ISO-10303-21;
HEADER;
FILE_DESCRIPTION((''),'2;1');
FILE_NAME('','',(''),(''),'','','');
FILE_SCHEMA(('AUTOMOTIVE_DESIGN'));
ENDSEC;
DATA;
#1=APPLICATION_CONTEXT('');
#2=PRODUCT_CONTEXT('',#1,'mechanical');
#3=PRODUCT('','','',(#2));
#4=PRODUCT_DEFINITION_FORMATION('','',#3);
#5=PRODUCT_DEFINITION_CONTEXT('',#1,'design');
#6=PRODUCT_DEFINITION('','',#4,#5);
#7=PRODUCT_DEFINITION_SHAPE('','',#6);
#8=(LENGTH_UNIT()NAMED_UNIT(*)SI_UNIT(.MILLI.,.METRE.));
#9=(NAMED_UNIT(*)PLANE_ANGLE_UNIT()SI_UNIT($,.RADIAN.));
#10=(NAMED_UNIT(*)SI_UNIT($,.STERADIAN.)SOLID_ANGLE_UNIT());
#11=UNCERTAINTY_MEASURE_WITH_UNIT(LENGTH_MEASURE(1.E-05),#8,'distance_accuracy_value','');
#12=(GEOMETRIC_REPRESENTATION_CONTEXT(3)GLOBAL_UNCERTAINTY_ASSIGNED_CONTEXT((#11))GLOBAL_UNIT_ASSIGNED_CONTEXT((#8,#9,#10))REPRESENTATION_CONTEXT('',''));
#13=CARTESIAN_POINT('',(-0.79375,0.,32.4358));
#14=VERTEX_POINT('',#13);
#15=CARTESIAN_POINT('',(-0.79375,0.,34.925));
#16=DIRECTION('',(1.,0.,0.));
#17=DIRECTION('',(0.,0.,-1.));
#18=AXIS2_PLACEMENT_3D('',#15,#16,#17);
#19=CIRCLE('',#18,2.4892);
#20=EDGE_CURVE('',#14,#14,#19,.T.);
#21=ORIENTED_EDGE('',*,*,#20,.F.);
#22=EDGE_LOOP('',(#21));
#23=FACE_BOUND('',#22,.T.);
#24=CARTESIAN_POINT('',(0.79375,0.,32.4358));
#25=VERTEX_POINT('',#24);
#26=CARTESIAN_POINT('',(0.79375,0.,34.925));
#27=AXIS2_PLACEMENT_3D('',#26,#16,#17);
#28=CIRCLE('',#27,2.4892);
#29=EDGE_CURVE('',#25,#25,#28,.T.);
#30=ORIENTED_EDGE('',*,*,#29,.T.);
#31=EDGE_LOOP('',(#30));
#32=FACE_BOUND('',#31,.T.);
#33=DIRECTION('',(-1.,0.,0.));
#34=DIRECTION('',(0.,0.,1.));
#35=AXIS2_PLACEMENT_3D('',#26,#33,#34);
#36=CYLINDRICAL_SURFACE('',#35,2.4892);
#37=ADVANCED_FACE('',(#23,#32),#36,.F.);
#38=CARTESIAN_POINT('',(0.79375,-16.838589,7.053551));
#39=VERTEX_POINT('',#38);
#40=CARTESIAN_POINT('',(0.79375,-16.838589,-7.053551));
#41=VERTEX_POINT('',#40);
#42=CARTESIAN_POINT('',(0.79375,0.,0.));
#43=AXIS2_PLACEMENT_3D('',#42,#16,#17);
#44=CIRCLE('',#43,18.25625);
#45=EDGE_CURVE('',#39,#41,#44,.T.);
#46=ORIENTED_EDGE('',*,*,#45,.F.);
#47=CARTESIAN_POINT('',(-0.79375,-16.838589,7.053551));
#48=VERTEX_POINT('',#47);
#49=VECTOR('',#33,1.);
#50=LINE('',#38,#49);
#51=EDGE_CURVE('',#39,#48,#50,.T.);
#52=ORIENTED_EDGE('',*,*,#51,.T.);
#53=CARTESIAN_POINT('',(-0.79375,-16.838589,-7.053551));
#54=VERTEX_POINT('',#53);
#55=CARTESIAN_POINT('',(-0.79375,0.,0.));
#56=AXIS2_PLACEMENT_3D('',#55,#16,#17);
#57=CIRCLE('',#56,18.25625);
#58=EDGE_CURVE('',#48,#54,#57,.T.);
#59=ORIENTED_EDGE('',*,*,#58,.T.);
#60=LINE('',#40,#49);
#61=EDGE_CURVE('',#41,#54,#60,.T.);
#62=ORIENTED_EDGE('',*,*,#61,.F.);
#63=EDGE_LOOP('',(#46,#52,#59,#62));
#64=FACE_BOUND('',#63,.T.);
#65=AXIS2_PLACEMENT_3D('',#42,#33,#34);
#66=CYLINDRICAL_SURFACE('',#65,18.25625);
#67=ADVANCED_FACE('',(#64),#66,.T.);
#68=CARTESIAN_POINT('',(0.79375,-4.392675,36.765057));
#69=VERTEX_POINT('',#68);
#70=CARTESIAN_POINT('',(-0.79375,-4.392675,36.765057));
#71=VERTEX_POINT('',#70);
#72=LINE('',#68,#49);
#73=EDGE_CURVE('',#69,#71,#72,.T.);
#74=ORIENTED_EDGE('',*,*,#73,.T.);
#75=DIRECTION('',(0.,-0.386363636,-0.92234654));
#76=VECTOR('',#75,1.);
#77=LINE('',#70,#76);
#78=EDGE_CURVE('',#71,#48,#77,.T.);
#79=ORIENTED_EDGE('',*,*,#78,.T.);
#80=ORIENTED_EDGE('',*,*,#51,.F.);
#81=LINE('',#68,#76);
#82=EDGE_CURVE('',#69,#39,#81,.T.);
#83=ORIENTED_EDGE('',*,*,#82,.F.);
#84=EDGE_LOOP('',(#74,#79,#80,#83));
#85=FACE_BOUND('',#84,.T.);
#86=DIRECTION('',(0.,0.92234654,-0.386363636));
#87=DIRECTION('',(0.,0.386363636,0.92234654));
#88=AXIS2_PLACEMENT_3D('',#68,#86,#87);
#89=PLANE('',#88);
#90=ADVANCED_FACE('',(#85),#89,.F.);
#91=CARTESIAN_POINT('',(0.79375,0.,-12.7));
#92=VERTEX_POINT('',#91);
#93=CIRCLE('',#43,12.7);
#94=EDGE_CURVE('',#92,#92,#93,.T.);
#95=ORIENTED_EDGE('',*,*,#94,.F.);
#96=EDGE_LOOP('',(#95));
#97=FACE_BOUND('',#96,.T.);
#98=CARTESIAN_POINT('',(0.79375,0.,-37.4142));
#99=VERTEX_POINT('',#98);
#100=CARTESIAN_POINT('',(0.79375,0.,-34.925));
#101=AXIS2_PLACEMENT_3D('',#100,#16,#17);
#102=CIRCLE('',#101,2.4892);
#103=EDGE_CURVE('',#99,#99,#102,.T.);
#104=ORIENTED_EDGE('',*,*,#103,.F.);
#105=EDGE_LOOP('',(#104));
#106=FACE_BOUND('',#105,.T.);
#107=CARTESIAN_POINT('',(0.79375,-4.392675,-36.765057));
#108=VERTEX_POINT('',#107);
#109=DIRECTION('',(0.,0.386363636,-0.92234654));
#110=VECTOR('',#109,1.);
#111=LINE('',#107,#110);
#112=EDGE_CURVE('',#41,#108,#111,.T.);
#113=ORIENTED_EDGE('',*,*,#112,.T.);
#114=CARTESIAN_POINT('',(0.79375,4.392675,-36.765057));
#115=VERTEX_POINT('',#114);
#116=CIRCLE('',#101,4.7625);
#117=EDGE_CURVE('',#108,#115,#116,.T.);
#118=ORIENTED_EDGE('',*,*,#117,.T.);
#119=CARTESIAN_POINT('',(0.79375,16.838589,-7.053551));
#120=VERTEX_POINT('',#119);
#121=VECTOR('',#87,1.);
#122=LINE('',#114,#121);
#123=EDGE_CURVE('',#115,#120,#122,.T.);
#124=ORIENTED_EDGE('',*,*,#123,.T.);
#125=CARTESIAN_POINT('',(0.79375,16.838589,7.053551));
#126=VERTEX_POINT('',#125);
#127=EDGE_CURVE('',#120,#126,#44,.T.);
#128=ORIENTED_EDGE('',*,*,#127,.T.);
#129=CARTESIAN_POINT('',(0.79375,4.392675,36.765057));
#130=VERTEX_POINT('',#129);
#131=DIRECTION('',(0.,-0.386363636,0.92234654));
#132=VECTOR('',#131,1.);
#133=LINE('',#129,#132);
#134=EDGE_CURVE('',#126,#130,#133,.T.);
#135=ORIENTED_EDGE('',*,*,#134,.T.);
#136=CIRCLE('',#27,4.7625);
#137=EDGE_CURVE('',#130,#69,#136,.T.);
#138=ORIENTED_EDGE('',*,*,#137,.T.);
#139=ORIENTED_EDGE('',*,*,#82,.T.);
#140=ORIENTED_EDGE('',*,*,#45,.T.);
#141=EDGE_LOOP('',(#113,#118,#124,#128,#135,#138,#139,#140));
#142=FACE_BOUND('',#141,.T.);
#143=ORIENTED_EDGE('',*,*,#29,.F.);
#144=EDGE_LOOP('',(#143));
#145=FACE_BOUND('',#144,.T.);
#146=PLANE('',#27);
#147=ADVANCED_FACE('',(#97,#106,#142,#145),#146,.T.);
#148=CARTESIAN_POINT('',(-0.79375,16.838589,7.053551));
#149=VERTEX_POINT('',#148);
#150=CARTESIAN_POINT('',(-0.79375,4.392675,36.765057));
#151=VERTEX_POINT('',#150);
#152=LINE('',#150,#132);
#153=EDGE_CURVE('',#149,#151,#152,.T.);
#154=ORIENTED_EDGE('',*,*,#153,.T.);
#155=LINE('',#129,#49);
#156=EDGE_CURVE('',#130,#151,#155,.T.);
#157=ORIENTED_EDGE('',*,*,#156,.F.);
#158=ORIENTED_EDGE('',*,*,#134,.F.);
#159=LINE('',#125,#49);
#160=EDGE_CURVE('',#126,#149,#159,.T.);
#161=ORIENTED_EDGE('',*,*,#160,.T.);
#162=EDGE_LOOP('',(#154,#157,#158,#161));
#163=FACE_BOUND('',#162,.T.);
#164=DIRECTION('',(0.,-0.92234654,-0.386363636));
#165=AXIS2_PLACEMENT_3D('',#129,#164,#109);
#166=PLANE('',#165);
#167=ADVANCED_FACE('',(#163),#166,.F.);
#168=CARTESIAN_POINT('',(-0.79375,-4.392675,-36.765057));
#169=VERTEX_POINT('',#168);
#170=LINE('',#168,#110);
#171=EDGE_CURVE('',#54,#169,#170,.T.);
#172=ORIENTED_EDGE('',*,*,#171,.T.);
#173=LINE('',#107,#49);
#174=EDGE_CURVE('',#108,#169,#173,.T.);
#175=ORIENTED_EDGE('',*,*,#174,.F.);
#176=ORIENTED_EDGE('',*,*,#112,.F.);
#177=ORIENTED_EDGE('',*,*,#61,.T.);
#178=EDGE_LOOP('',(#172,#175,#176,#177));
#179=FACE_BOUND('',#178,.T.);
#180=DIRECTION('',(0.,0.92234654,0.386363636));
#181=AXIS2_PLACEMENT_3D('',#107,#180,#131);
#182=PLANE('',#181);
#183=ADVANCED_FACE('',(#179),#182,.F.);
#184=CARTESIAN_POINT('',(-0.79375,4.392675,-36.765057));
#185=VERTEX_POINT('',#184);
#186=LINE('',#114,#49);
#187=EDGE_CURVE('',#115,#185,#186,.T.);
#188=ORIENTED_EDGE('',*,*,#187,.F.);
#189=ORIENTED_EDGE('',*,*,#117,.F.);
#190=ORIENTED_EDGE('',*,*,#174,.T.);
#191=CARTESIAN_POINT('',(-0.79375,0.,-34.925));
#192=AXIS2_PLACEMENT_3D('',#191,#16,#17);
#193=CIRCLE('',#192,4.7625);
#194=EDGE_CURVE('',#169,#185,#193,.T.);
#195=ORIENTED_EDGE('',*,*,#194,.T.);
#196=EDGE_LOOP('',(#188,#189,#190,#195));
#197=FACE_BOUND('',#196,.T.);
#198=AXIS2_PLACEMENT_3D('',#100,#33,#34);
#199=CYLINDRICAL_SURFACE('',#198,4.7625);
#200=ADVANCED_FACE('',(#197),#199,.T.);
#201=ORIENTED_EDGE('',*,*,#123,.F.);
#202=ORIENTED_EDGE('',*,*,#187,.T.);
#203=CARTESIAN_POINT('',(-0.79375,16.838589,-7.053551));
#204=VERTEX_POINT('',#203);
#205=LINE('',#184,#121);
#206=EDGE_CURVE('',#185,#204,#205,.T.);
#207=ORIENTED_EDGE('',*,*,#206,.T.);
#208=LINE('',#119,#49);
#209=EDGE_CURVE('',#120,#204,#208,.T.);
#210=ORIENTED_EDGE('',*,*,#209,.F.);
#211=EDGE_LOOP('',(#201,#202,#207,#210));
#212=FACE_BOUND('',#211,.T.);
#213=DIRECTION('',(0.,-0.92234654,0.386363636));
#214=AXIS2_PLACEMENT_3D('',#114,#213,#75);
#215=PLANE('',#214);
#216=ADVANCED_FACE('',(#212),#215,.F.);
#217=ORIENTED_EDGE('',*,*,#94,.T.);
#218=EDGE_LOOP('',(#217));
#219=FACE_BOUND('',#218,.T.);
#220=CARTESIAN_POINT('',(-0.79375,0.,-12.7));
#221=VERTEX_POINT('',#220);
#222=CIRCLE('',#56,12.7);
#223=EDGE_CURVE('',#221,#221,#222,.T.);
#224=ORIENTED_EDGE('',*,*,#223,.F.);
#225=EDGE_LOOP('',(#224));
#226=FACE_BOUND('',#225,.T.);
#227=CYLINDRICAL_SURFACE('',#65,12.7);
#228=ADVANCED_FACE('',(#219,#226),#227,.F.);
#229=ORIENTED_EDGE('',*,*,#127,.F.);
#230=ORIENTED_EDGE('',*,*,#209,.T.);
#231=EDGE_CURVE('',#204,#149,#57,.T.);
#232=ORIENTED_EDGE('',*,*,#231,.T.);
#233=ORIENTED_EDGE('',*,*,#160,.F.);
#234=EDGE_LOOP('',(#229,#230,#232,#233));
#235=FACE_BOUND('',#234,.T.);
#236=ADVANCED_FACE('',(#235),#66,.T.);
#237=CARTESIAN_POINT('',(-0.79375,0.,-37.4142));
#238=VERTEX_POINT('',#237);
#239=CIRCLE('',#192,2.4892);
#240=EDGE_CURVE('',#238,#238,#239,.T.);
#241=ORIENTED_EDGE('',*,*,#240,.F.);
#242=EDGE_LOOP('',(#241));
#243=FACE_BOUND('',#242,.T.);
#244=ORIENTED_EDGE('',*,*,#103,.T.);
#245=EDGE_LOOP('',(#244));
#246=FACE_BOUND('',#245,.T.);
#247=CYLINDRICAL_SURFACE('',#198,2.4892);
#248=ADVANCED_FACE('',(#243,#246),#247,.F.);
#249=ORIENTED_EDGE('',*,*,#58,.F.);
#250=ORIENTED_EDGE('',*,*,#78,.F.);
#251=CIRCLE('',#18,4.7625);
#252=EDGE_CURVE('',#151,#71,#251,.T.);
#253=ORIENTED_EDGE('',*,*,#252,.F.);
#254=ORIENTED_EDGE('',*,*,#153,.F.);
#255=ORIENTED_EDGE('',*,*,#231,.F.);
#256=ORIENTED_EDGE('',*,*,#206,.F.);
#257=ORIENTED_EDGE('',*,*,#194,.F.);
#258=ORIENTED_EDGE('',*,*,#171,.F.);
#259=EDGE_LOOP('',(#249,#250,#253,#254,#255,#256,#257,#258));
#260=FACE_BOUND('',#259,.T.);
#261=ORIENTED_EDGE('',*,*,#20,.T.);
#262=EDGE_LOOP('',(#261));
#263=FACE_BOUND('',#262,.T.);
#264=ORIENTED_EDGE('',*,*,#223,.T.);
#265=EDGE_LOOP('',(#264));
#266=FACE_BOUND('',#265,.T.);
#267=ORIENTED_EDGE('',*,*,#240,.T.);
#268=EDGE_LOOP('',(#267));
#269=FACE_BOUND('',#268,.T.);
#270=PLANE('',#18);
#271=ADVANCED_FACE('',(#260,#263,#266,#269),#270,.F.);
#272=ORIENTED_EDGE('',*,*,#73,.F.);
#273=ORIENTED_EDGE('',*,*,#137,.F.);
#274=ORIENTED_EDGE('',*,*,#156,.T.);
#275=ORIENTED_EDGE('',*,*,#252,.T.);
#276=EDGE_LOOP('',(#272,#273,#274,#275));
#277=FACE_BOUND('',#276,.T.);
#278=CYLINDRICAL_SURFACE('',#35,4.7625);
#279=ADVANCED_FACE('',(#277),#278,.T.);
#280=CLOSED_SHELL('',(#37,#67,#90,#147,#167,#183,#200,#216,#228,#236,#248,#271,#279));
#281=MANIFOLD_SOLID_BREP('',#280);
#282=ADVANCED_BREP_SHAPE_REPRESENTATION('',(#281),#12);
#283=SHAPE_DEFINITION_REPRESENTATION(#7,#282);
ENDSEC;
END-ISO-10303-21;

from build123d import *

# Parameters (mm, degrees)
SKETCH1_R           = 12.7
SKETCH1_R_2         = 2.4892
BOSS_EXTRUDE1_DEPTH = 0.79375


with BuildPart() as part:
    # Sketch1 → Boss-Extrude1 (new, symmetric)
    with BuildSketch(Plane(origin=(0, 0, 0), x_dir=(0, 0, -1), z_dir=(1, 0, 0))):
        with BuildLine():
            Line((-36.765056818, -4.392675398), (-7.053551136, -16.838589027))
            ThreePointArc((-7.053551136, -16.838589027), (0, -18.25625), (7.053551136, -16.838589027))
            Line((7.053551136, -16.838589027), (36.765056818, -4.392675398))
            ThreePointArc((36.765056818, -4.392675398), (39.6875, 0), (36.765056818, 4.392675398))
            Line((36.765056818, 4.392675398), (7.053551136, 16.838589027))
            ThreePointArc((7.053551136, 16.838589027), (0, 18.25625), (-7.053551136, 16.838589027))
            Line((-7.053551136, 16.838589027), (-36.765056818, 4.392675398))
            ThreePointArc((-36.765056818, 4.392675398), (-39.6875, 0), (-36.765056818, -4.392675398))
        make_face()
        Circle(SKETCH1_R, mode=Mode.SUBTRACT)
        with Locations((34.925, 0)):
            Circle(SKETCH1_R_2, mode=Mode.SUBTRACT)
        with Locations((-34.925, 0)):
            Circle(SKETCH1_R_2, mode=Mode.SUBTRACT)
    extrude(amount=BOSS_EXTRUDE1_DEPTH, both=True)


solid = part.part
